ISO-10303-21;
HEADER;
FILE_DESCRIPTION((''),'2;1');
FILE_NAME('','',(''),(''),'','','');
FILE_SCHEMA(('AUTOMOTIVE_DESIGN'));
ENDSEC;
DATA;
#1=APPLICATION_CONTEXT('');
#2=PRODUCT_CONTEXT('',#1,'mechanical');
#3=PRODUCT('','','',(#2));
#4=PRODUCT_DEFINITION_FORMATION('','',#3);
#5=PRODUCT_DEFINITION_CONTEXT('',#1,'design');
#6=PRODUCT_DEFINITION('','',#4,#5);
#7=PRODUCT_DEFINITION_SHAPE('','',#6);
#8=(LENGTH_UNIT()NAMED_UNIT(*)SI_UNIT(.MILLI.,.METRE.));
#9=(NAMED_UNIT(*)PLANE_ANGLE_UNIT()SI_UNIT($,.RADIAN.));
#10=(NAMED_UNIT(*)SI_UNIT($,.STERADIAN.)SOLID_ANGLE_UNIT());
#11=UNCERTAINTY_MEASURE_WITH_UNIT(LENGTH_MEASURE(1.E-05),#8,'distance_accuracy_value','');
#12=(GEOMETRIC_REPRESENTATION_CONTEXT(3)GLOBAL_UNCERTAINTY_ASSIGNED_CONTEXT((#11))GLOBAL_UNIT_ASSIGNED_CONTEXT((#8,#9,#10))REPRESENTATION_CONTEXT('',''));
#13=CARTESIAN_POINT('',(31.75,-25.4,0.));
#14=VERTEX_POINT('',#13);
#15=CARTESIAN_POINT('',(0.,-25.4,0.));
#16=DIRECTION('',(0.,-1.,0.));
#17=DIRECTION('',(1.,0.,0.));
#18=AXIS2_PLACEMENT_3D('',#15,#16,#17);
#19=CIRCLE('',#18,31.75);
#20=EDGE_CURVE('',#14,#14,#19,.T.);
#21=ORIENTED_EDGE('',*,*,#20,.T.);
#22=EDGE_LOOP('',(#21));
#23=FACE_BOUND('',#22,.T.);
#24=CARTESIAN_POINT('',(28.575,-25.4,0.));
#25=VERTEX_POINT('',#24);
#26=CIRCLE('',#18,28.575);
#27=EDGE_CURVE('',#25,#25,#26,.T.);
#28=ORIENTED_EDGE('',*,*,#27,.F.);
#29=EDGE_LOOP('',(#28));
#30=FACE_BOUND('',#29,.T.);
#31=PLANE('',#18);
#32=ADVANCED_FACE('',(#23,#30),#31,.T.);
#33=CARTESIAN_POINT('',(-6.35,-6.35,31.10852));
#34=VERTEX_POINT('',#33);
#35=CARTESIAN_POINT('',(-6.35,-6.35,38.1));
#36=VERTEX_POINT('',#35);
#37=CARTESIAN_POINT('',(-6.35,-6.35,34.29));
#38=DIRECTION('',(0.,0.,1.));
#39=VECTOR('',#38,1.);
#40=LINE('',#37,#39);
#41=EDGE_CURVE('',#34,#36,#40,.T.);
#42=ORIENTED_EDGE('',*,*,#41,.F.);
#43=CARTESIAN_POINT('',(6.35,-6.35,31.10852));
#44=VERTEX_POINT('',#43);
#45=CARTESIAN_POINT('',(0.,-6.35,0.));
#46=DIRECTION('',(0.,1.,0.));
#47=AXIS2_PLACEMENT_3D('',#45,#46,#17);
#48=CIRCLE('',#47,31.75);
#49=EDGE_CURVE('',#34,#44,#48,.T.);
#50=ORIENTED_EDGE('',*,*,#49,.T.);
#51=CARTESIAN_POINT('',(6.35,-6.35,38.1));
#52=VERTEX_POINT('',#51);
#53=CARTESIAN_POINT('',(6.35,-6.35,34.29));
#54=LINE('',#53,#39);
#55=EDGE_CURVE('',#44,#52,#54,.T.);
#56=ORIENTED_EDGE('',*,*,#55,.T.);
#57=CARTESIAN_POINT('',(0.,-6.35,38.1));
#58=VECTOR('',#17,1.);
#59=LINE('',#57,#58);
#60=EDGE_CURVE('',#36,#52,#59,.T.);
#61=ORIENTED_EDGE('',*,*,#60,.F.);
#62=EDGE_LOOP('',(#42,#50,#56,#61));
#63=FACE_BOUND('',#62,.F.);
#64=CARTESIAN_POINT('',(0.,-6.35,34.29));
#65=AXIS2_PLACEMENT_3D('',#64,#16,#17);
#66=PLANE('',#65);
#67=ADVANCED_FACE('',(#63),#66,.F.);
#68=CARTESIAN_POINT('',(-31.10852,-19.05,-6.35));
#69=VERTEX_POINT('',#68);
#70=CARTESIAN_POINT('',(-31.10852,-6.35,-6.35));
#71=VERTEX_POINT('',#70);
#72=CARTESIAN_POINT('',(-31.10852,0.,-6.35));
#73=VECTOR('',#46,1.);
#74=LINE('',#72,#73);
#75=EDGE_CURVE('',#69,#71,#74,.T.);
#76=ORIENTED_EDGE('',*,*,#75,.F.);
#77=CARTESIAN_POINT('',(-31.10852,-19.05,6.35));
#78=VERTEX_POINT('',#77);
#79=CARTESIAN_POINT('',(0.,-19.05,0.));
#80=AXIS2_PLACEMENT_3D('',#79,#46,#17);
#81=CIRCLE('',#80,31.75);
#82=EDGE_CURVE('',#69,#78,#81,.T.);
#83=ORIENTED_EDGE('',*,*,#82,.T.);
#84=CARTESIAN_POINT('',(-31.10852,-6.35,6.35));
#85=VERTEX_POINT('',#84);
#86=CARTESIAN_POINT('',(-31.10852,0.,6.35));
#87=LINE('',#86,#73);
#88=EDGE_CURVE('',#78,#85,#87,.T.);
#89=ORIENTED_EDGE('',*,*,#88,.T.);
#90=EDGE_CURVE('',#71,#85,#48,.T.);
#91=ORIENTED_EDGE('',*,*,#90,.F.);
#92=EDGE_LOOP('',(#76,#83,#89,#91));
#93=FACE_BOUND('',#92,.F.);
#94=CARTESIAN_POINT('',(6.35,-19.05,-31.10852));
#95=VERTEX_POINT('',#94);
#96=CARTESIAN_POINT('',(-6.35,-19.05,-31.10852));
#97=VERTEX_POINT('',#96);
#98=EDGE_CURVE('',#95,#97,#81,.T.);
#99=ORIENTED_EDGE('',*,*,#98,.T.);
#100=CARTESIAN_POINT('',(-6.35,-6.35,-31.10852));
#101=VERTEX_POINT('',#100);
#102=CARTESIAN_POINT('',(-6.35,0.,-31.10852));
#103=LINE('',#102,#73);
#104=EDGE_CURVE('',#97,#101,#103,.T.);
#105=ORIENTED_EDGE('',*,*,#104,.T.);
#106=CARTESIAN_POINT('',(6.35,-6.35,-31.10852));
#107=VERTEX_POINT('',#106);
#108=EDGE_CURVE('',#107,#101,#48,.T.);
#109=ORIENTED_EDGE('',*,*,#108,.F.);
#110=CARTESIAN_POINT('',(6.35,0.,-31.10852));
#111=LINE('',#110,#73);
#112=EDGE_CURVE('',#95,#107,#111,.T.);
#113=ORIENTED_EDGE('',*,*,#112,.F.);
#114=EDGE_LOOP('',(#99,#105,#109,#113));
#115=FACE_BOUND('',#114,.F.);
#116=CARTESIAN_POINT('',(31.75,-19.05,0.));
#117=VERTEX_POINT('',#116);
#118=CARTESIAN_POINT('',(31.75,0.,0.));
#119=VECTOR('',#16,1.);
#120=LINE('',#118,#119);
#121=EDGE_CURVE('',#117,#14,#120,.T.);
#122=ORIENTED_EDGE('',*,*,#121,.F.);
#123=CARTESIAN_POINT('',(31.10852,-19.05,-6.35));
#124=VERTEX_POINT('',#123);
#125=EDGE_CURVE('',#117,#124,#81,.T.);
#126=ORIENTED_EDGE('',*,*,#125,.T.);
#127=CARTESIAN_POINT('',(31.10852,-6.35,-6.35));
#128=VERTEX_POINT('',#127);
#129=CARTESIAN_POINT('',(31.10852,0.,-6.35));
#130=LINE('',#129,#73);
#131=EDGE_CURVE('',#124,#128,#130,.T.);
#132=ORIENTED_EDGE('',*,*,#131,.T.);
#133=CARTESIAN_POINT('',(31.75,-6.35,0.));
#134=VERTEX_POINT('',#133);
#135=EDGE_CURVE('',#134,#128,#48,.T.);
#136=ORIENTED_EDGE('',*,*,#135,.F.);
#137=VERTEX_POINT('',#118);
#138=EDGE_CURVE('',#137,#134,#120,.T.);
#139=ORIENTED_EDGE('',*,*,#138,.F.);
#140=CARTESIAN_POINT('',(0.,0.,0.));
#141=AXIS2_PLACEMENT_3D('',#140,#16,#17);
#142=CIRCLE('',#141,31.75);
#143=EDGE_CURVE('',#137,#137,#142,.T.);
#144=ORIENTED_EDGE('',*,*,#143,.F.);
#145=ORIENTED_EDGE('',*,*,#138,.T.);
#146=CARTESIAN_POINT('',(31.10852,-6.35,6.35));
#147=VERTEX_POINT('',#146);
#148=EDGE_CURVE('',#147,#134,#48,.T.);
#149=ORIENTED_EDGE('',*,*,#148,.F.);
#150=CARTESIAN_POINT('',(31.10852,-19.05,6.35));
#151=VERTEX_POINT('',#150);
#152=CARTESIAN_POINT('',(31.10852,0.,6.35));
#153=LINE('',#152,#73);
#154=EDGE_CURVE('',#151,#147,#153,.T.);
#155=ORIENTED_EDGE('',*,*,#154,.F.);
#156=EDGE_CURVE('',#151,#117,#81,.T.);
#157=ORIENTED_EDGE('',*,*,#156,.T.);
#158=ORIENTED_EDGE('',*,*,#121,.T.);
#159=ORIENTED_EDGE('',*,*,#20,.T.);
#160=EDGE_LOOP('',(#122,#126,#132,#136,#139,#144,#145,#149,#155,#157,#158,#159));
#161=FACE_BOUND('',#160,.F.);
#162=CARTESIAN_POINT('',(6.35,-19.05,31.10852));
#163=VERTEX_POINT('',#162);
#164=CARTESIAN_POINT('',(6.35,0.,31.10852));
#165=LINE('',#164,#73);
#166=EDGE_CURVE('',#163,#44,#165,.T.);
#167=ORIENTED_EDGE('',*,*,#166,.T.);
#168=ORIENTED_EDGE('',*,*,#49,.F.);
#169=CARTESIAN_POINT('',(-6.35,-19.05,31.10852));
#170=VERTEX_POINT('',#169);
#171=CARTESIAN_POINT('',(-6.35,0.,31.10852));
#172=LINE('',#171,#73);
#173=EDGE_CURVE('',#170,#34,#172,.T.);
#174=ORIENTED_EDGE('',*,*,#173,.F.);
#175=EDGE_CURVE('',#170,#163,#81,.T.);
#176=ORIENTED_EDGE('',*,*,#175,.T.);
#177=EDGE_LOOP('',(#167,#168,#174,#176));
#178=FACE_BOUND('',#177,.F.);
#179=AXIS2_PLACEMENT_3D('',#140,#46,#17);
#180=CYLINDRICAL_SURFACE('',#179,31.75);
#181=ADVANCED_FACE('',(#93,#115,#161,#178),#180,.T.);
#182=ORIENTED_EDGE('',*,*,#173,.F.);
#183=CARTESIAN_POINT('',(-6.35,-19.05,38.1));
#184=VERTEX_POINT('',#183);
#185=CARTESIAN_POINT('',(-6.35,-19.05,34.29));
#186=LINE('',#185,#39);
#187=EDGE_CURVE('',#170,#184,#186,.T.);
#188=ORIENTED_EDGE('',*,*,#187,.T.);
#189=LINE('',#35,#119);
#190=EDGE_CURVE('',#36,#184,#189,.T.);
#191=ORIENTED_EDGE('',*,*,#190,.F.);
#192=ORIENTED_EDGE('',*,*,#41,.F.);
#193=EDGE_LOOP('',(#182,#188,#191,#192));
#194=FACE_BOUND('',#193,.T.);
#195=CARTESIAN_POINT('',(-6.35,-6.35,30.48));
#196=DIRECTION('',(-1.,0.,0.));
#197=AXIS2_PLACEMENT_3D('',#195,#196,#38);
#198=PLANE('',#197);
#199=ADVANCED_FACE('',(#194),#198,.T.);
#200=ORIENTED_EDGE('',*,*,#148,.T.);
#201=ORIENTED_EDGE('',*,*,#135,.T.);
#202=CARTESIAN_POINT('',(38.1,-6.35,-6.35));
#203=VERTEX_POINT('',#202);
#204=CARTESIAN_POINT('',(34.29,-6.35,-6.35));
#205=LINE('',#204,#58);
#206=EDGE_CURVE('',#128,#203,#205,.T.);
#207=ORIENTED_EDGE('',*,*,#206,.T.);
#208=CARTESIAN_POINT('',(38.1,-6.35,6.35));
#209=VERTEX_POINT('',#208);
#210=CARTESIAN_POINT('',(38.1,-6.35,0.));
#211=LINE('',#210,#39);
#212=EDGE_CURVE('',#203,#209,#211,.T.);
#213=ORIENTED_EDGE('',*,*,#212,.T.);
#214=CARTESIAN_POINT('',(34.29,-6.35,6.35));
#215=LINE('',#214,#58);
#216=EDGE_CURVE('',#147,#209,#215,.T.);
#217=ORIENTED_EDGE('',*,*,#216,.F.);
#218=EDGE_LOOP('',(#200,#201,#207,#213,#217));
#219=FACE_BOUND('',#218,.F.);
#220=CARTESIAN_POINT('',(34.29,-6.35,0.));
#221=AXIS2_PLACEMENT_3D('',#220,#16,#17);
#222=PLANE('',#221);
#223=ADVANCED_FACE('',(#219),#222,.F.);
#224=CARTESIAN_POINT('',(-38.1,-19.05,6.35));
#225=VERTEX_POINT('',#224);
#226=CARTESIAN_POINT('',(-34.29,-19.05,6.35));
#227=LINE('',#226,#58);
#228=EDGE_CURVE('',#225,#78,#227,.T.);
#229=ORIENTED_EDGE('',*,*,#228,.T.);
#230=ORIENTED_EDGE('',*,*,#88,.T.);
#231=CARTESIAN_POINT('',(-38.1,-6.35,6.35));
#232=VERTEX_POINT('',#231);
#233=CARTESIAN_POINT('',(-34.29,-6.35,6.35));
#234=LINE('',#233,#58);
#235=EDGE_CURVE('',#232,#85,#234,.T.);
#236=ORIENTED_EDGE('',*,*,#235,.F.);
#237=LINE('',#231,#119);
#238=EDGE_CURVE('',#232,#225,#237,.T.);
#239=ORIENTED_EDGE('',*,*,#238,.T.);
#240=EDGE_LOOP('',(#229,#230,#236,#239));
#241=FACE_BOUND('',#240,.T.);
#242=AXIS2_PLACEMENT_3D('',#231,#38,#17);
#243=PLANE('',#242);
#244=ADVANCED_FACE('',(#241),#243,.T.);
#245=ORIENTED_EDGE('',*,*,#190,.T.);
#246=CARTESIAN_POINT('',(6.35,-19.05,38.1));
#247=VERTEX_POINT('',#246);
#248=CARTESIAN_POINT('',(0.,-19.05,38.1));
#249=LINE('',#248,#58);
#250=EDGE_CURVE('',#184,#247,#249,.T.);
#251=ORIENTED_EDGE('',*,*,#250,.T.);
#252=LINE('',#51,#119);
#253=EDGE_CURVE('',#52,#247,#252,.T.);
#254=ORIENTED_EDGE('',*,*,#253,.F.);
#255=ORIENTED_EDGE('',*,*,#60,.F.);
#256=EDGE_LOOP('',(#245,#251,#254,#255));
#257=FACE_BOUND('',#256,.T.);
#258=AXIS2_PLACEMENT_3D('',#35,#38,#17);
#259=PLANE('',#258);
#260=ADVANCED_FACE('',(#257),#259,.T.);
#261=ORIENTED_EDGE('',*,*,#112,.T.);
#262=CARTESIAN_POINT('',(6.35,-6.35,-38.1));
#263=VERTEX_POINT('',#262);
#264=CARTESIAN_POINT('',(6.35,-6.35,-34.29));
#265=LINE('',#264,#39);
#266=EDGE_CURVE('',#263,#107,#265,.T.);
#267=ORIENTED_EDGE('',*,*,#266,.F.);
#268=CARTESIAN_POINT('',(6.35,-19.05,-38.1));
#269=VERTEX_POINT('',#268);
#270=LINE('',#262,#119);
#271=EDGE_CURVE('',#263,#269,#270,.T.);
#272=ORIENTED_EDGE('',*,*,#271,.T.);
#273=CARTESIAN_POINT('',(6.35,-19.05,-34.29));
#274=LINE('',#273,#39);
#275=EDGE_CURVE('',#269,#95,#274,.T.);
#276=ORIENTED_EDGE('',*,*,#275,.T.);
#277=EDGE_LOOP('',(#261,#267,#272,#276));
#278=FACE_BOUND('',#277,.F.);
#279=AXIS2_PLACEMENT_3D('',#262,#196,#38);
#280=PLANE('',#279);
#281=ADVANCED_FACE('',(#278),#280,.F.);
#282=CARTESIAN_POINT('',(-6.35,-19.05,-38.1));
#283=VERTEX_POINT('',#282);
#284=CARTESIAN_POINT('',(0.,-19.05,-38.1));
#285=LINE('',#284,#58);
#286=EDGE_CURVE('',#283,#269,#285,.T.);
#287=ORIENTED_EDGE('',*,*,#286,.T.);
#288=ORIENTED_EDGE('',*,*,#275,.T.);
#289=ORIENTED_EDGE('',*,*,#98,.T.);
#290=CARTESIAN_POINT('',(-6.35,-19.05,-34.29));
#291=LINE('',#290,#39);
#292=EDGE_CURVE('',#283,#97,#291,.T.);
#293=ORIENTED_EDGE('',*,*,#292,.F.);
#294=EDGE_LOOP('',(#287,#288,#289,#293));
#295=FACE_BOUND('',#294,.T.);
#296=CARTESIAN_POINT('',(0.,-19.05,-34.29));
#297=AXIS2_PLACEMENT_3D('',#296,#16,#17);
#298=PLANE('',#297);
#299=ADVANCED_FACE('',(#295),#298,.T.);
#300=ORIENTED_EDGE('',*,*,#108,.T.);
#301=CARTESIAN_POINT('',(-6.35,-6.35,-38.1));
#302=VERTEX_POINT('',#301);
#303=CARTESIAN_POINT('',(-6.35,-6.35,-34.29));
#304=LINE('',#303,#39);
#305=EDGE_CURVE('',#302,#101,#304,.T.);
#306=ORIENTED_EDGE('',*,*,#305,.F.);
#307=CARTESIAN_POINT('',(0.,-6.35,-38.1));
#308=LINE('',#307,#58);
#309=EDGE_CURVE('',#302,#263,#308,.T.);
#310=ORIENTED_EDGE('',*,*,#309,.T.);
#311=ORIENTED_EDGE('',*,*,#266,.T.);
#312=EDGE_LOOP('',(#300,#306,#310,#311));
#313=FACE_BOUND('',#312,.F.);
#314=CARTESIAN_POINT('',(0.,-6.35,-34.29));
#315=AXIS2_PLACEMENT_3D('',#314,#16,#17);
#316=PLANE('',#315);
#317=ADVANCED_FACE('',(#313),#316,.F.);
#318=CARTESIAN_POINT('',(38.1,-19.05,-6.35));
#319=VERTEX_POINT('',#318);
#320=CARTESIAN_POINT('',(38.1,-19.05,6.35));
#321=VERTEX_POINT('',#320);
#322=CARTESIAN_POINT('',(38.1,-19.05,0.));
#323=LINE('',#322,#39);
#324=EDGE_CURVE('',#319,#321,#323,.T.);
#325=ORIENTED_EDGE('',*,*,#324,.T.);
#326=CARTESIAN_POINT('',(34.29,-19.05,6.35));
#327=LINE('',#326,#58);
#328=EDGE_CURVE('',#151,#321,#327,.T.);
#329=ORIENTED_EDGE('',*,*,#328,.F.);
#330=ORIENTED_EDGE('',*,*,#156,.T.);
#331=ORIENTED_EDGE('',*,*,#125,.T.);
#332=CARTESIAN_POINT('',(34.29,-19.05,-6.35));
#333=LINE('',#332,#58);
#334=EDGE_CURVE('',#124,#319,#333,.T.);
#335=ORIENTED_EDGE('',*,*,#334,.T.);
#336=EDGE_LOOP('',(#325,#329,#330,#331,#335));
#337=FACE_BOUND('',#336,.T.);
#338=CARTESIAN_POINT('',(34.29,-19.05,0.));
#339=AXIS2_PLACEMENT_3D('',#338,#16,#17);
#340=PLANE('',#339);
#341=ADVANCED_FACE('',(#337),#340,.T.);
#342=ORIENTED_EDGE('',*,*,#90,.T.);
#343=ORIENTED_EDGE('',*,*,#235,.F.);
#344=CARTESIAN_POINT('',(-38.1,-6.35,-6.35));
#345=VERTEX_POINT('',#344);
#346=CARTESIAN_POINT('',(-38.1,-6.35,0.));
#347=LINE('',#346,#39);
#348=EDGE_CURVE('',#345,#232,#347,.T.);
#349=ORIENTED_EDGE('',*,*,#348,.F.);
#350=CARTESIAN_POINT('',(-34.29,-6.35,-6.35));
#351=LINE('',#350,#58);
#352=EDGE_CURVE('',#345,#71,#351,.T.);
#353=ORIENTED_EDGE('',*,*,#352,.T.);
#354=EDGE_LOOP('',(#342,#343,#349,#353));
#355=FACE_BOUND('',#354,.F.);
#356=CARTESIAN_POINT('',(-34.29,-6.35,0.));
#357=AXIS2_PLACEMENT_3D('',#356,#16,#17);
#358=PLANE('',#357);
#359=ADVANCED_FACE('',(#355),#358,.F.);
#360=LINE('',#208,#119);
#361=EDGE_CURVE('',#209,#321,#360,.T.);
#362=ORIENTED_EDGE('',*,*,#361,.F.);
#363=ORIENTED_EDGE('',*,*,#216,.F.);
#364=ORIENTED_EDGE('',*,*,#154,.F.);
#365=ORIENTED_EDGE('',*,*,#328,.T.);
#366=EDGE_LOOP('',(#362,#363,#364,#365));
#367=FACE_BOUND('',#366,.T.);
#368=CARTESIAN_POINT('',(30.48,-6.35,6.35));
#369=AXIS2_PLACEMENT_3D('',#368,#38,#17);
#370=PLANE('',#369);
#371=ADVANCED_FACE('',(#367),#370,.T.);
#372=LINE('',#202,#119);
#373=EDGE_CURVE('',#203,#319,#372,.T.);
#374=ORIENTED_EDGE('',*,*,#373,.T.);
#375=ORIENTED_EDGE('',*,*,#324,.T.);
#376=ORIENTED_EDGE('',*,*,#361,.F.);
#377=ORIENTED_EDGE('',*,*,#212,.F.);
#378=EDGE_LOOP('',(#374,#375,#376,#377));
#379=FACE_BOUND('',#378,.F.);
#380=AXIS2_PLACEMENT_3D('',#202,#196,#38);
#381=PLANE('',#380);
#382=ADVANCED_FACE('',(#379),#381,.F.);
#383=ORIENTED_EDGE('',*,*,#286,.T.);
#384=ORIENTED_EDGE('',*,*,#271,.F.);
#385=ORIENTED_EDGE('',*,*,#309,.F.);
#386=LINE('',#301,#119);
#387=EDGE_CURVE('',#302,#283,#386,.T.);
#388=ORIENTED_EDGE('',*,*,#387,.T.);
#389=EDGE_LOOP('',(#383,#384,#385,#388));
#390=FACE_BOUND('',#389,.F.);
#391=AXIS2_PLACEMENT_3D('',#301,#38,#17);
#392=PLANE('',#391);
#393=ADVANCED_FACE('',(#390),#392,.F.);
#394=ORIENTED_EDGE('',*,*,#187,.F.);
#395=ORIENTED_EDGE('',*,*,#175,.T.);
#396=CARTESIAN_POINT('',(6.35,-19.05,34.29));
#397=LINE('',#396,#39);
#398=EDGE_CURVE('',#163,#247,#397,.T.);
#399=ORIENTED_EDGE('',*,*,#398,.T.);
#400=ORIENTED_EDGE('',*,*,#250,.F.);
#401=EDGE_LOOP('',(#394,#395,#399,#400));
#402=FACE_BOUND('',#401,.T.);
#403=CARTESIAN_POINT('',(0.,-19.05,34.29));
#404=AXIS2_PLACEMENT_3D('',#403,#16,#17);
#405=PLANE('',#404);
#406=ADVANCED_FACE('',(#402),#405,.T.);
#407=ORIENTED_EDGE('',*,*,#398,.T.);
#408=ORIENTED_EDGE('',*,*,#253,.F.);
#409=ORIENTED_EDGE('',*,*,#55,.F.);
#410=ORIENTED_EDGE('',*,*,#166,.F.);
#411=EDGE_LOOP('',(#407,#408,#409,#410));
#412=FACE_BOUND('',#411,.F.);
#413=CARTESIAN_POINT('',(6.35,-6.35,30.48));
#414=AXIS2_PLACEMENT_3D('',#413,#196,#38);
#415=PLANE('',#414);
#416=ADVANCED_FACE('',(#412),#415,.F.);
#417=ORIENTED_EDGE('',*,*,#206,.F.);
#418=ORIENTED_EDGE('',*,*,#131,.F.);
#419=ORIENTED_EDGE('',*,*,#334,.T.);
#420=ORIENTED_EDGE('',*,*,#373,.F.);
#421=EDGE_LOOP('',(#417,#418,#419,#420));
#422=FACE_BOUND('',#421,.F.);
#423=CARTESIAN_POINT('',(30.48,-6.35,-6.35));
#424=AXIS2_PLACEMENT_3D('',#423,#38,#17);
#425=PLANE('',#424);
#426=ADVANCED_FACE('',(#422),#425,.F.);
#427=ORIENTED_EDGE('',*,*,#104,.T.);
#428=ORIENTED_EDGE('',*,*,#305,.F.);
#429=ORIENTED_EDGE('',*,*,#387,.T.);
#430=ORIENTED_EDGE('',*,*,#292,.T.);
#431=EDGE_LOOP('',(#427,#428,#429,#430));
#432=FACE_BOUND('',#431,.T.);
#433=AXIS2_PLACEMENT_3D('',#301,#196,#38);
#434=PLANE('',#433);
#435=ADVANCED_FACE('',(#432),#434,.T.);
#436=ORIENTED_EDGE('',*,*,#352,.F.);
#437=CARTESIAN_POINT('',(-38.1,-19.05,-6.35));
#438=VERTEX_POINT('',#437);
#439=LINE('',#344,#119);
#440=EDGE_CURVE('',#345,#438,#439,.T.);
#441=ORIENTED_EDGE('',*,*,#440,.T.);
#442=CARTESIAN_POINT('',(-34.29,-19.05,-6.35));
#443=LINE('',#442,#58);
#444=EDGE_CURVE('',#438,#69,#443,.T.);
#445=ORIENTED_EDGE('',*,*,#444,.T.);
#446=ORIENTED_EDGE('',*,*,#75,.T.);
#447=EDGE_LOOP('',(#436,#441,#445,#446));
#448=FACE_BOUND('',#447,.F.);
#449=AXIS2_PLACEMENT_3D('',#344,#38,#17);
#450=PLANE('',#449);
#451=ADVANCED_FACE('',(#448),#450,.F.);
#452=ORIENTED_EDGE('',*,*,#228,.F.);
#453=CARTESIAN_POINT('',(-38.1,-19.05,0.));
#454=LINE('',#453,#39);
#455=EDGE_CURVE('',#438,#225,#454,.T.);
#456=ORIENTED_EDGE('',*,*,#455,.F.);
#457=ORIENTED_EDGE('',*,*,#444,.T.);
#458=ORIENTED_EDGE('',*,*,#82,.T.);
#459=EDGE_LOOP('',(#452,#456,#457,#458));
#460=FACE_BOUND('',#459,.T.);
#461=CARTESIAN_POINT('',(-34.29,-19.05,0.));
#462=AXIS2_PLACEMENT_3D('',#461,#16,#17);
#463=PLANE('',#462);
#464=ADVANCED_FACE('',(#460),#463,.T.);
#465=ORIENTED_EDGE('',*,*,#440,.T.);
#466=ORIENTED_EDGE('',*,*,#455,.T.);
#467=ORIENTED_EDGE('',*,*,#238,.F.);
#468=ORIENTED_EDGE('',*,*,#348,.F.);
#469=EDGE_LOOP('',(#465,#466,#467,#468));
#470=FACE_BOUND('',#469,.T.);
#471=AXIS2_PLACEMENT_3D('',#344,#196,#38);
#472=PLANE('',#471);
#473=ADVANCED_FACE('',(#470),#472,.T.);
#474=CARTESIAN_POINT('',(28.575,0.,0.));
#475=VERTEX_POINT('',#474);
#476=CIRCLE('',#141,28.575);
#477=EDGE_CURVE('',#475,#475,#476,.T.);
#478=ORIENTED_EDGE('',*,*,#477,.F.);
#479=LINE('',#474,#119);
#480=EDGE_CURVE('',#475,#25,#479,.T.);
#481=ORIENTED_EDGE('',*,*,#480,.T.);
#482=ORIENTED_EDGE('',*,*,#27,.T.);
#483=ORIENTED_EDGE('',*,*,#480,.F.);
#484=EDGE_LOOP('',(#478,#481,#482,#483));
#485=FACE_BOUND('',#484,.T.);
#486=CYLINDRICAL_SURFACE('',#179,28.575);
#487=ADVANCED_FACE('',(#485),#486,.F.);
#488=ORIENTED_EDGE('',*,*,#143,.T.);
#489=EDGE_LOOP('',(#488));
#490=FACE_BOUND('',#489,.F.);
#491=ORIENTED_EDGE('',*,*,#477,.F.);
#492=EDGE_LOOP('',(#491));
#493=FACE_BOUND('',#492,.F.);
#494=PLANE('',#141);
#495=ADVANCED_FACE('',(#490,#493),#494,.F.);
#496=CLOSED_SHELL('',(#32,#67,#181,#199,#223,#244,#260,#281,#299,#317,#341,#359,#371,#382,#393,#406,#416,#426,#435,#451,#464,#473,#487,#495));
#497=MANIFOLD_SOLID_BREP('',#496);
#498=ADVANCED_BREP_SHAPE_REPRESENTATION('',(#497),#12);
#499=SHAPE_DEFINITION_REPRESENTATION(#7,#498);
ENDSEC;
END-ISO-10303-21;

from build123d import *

# Parameters (mm, degrees)
F0_R     = 31.75
F0_R_2   = 28.575
F1_DEPTH = 25.4
F3_W     = 12.7
F3_H     = 7.62
F3_W_2   = 7.62
F3_H_2   = 12.7
F4_DEPTH = 12.7


with BuildPart() as f1:
    # F0 (on Front) → F1 (new body)
    with BuildSketch(Plane.XZ):
        Circle(F0_R)
        Circle(F0_R_2, mode=Mode.SUBTRACT)
    extrude(amount=F1_DEPTH)

    # F3 (on offset) → F4 (join)
    with BuildSketch(Plane.XZ.offset(6.35)):
        with Locations((0, 34.29)):
            Rectangle(F3_W, F3_H)
        with Locations((34.29, 0)):
            Rectangle(F3_W_2, F3_H_2)
        with Locations((-34.29, 0)):
            Rectangle(F3_W_2, F3_H_2)
        with Locations((0, -34.29)):
            Rectangle(F3_W, F3_H)
    extrude(amount=F4_DEPTH)


solid = f1.part
